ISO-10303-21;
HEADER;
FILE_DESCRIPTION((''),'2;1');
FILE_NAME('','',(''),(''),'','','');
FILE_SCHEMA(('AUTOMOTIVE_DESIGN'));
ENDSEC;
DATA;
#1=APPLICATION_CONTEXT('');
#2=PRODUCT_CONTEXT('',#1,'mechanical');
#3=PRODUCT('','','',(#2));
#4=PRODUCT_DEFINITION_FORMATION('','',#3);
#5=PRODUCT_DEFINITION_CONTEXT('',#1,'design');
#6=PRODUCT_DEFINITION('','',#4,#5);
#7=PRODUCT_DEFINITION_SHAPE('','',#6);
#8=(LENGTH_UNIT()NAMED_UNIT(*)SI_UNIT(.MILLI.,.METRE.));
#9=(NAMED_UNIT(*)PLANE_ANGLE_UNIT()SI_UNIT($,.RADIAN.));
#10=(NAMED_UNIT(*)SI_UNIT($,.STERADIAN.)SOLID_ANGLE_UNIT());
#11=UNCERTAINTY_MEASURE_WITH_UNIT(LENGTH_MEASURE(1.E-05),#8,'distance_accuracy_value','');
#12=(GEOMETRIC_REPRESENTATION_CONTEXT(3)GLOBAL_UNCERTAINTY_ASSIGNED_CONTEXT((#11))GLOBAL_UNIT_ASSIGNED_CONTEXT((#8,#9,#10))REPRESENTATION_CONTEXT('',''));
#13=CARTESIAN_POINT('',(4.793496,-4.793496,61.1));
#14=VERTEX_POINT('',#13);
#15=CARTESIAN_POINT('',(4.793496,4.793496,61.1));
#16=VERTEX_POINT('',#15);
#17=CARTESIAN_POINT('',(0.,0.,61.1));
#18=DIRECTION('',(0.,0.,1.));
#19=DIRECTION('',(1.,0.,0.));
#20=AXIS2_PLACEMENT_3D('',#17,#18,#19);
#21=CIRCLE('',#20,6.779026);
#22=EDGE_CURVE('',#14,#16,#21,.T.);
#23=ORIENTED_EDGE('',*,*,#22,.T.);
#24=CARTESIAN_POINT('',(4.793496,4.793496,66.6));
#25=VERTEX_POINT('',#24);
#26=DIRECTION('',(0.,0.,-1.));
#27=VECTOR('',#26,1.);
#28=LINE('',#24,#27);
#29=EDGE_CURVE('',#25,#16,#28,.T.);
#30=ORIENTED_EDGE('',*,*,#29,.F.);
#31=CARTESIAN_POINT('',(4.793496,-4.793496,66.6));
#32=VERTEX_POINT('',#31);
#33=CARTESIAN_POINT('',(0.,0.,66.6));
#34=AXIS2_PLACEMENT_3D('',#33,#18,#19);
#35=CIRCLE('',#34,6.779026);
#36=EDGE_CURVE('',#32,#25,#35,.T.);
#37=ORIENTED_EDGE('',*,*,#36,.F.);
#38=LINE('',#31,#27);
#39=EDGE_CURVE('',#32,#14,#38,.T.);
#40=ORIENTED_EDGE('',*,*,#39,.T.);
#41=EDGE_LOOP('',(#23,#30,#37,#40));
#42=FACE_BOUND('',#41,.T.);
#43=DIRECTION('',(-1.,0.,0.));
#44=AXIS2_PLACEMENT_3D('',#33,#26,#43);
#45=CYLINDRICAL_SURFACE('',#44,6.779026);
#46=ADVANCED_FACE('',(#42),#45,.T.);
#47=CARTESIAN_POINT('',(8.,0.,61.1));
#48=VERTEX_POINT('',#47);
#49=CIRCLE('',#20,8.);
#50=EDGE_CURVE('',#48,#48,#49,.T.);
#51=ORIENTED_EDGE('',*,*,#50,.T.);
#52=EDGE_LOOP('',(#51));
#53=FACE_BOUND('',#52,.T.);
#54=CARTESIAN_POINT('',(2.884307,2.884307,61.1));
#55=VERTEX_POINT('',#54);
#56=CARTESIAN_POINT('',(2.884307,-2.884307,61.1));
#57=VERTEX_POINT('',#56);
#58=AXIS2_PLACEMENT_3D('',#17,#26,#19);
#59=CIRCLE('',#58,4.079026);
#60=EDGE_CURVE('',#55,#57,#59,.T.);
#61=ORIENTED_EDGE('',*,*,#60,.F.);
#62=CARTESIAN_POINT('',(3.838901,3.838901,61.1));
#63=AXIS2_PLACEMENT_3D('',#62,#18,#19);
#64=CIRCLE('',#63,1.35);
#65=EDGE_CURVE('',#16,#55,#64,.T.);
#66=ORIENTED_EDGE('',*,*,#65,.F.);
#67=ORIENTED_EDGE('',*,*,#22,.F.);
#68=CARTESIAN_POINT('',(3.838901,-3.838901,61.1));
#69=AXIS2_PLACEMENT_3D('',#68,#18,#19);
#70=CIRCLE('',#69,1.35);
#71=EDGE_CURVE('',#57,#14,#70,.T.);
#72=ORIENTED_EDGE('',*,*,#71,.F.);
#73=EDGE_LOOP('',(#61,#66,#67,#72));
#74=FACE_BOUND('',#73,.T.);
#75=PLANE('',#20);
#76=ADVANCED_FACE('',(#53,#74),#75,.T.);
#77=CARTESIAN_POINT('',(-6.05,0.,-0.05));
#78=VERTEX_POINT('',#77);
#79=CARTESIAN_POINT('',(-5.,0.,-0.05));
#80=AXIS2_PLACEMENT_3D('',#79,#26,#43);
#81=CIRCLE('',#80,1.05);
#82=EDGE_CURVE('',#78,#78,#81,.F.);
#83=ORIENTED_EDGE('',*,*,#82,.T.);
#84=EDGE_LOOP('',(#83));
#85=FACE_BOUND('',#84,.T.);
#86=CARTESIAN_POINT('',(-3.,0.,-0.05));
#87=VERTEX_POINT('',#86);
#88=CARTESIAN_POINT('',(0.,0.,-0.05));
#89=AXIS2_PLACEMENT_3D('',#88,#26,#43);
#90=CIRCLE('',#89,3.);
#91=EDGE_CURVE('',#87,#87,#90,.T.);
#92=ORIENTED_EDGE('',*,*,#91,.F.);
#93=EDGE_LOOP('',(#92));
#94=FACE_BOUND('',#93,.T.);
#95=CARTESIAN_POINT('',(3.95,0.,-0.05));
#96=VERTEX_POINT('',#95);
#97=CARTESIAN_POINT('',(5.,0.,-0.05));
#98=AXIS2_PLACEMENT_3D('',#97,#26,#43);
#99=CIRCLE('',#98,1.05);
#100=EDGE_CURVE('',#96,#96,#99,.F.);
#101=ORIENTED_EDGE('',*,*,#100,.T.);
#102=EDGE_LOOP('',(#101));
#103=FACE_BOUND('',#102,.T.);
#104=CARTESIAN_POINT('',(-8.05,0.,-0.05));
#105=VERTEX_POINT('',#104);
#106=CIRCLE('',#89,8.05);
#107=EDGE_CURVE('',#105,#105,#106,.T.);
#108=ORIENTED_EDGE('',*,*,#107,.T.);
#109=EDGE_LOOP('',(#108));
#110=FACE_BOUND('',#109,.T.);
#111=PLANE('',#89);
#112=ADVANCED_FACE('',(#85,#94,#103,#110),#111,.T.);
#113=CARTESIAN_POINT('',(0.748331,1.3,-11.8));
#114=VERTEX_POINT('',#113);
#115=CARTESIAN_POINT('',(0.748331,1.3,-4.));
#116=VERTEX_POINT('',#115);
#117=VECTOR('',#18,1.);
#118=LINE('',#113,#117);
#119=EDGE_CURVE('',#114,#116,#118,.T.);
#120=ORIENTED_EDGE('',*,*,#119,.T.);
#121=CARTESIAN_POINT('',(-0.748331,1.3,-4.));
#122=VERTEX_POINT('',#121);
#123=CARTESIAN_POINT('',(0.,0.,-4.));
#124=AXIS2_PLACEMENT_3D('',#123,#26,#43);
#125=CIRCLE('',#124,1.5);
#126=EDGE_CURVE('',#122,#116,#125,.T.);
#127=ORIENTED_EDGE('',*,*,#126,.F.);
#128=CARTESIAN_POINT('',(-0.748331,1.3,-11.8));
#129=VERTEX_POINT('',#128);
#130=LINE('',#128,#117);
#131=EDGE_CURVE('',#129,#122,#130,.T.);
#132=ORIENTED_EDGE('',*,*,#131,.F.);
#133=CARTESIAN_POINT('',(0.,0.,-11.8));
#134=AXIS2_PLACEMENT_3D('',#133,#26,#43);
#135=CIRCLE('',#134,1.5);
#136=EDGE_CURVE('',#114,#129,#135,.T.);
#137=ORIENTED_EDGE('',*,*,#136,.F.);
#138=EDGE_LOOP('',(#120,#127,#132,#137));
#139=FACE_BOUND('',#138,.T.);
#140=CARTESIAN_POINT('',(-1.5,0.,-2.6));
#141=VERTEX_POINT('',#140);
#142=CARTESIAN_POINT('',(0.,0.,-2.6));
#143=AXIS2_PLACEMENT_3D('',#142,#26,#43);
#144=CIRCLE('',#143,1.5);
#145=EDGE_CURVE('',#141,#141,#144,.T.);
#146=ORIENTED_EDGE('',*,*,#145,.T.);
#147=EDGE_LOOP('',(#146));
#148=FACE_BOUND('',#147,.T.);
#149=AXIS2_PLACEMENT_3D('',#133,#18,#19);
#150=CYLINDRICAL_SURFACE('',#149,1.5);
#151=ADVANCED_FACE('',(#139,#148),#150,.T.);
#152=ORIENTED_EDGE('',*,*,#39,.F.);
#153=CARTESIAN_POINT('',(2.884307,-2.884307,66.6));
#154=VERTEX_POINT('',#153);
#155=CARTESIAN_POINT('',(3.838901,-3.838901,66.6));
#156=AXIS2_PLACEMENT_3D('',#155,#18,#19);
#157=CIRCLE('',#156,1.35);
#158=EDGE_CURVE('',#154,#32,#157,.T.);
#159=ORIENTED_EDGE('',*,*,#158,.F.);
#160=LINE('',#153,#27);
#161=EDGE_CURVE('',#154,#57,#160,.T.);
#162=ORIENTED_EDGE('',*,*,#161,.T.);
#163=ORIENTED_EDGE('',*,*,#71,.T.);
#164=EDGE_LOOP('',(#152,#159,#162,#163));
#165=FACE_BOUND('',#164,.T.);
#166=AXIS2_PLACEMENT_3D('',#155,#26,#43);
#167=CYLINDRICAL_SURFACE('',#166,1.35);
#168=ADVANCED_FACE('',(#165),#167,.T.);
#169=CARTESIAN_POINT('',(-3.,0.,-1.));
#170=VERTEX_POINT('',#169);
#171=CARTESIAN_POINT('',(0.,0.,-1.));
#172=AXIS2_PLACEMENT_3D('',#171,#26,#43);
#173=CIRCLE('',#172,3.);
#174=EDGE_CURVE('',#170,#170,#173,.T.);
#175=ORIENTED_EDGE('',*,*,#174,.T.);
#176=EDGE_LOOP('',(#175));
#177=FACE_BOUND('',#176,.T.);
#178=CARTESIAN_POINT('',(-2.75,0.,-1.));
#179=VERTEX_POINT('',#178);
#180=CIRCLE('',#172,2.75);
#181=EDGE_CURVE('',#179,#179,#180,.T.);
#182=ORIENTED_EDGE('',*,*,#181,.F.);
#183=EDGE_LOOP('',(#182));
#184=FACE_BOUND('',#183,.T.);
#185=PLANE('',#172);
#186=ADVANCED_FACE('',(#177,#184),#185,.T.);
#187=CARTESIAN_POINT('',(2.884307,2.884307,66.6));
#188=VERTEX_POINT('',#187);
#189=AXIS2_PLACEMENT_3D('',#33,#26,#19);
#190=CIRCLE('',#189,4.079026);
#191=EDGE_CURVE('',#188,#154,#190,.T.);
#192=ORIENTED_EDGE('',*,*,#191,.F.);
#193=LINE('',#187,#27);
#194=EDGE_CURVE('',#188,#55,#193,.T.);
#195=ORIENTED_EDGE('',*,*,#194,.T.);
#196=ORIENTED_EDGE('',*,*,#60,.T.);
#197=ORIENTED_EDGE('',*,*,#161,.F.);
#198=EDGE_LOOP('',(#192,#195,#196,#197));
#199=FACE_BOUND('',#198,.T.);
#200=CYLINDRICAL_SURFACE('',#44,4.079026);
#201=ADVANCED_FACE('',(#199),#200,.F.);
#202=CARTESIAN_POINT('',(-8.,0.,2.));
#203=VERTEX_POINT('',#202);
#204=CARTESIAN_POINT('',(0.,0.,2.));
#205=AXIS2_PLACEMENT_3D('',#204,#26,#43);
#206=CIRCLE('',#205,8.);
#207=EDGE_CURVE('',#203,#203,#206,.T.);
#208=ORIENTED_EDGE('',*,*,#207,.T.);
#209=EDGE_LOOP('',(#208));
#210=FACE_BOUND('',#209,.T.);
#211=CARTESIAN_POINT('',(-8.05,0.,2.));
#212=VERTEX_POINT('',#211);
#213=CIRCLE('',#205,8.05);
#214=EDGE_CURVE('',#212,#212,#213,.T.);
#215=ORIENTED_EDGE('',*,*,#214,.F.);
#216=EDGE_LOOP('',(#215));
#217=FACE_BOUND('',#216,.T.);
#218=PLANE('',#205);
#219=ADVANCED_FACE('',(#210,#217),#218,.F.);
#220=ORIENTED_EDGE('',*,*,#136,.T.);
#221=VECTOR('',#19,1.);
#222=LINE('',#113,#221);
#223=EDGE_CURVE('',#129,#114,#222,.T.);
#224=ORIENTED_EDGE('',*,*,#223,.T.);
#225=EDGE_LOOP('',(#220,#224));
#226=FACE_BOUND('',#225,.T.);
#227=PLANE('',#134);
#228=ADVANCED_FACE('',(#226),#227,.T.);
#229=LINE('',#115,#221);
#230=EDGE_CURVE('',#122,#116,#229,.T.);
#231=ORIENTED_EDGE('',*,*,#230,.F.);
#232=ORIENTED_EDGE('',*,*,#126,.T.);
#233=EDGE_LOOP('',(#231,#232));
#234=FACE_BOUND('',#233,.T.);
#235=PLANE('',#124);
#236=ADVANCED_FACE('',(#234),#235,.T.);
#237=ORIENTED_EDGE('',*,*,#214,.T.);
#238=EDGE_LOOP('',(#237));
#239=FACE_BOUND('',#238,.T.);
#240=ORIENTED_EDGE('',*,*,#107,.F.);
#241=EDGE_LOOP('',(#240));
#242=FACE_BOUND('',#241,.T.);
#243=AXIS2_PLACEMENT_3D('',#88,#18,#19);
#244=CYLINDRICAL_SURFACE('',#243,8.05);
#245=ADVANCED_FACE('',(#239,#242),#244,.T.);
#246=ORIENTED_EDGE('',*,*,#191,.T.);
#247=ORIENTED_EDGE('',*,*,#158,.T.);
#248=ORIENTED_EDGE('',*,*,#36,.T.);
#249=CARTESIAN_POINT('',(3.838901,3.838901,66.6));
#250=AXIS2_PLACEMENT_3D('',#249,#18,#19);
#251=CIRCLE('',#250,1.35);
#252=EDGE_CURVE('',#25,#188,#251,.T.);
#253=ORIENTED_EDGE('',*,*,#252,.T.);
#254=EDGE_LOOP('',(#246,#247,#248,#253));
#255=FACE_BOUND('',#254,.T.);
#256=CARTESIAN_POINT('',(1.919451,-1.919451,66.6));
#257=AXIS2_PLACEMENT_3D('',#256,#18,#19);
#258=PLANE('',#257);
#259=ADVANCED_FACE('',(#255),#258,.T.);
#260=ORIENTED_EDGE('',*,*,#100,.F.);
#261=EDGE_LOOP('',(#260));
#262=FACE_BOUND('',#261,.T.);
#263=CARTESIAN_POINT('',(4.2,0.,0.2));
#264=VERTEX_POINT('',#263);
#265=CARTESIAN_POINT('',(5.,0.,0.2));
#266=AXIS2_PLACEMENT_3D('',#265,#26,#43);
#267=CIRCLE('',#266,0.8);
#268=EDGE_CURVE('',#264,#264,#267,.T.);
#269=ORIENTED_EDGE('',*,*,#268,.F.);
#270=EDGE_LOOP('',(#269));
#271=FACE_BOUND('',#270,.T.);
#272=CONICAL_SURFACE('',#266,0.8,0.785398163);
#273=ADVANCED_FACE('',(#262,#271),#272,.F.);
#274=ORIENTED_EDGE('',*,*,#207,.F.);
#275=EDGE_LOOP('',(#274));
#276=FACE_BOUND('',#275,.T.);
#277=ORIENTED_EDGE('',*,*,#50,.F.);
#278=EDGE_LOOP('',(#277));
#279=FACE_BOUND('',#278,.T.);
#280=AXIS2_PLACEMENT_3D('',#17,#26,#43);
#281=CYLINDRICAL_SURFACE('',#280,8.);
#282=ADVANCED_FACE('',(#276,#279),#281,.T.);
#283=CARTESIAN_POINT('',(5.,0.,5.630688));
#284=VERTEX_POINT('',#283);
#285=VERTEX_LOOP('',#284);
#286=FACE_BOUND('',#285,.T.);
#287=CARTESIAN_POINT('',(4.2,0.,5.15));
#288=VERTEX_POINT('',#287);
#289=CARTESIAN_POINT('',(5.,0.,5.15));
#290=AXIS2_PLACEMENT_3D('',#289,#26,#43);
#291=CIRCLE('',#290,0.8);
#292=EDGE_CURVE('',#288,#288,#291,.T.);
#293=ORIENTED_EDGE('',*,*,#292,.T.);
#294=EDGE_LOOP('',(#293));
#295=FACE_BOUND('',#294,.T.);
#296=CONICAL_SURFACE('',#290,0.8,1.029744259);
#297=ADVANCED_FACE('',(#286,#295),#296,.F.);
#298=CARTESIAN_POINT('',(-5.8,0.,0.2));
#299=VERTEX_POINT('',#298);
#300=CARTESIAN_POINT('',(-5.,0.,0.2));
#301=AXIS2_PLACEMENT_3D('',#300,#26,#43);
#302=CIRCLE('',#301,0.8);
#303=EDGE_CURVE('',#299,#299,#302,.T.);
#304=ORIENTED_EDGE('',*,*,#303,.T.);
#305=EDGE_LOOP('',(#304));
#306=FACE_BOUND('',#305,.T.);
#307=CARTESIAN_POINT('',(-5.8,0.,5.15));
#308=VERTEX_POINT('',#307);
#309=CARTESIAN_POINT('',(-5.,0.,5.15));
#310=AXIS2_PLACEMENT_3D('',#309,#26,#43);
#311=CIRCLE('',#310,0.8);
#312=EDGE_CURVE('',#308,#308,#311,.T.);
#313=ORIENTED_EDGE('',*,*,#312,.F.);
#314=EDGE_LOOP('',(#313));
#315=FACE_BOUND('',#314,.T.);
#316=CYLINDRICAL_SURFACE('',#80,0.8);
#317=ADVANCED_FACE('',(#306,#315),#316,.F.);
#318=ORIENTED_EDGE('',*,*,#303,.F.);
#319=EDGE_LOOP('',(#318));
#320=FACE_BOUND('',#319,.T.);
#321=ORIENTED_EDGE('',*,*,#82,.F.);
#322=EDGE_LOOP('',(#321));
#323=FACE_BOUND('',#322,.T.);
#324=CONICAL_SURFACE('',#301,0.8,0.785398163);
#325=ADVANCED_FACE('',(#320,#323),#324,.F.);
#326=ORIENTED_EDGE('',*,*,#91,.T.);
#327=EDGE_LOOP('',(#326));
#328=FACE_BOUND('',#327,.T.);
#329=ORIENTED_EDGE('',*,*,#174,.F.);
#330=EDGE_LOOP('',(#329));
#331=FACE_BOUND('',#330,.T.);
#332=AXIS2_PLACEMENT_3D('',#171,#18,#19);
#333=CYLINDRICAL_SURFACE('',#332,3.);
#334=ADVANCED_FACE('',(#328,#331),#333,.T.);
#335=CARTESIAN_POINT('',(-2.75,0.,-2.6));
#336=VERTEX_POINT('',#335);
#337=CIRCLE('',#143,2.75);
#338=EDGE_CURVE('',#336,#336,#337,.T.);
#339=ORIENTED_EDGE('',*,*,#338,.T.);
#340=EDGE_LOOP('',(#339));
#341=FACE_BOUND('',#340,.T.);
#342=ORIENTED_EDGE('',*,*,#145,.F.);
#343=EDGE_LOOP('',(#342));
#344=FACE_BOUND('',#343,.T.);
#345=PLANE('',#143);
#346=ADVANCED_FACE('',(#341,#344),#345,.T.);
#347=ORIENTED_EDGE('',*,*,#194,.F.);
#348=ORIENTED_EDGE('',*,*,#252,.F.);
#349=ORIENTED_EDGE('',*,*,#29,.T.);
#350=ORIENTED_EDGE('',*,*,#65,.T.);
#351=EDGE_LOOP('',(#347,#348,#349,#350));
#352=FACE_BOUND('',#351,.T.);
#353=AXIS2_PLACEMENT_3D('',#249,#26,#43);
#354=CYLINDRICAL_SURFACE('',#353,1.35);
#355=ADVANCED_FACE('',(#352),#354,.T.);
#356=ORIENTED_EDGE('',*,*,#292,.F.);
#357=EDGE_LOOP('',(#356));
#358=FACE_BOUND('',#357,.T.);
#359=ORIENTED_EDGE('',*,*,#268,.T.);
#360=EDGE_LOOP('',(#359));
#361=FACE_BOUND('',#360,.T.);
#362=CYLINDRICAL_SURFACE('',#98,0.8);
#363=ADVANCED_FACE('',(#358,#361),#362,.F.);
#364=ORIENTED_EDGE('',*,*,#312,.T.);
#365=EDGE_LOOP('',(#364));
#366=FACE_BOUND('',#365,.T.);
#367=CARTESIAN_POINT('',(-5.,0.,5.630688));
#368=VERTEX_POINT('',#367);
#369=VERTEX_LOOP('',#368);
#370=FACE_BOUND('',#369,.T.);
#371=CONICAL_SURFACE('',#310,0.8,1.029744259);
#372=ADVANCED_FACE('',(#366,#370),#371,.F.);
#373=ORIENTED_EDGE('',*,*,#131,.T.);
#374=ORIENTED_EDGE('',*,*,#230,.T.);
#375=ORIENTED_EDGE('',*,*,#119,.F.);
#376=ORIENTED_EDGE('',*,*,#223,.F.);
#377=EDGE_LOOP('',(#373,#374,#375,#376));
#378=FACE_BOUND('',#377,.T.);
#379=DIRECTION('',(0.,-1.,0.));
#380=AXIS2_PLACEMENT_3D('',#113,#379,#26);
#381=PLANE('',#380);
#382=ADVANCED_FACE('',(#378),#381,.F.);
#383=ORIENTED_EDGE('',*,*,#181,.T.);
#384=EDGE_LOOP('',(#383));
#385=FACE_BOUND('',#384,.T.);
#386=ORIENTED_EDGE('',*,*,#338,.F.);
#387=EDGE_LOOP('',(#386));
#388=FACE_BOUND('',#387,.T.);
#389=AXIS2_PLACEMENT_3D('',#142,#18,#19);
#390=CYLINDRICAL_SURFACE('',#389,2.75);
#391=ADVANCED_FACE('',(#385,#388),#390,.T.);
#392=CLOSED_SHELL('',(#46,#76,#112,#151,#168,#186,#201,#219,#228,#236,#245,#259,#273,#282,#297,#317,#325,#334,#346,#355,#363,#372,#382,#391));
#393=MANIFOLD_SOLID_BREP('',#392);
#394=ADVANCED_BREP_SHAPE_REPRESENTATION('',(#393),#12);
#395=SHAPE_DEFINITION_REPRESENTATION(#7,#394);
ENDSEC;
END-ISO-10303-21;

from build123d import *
from build123d.topology import SkipClean

# Parameters (mm, degrees)
SKETCH_1_R             = 8
EXTRUDE_1_DEPTH        = 61.1
EXTRUDE_2_DEPTH        = 11.8
SKETCH_3_R             = 3
EXTRUDE_3_DEPTH        = 1
SKETCH_4_R             = 2.75
EXTRUDE_4_DEPTH        = 1.6
EXTRUDE_5_DEPTH        = 0.05
EXTRUDE_5_DEPTH_BACK   = 2
SKETCH_5_R             = 8.05
HOLE_WIZARD_M2_1_D     = 1.6
HOLE_WIZARD_M2_1_DEPTH = 5.2
HOLE_WIZARD_M2_1_TIP   = 0.480688495
CHAMFER_1_SIZE         = 0.25
SKETCH1_R              = 1.5
EXTRUDE1_DEPTH         = 1.4
EXTRUDE2_DEPTH         = 5.5


with BuildPart() as part:
    # 草图1 → 拉伸1 (new body)
    with BuildSketch(Plane.XY):
        Circle(SKETCH_1_R)
    extrude(amount=EXTRUDE_1_DEPTH)

    # 草图2 → 拉伸2 (add)
    with BuildSketch(Plane(origin=(0, 0, 0), x_dir=(-1, 0, 0), z_dir=(0, 0, -1))):
        with BuildLine():
            Line((-0.748331477, 1.3), (0.748331477, 1.3))
            ThreePointArc((0.748331477, 1.3), (0, -1.5), (-0.748331477, 1.3))
        make_face()
    extrude(amount=EXTRUDE_2_DEPTH)

    # 草图3 → 拉伸3 (add)
    with BuildSketch(Plane(origin=(0, 0, 0), x_dir=(-1, 0, 0), z_dir=(0, 0, -1))):
        with Locations(Location((0, 0, 0), (0, 0, 180))):
            Circle(SKETCH_3_R)
    extrude(amount=EXTRUDE_3_DEPTH)

    # 草图4 → 拉伸4 (add)
    with BuildSketch(Plane(origin=(0, 0, -1), x_dir=(-1, 0, 0), z_dir=(0, 0, -1))):
        Circle(SKETCH_4_R)
    extrude(amount=EXTRUDE_4_DEPTH)

    # 草图5 → 拉伸5 (add, two sides: drawn at the far end of the back side and taken through both)
    with BuildSketch(Plane(origin=(0, 0, 0), x_dir=(-1, 0, 0), z_dir=(0, 0, -1)).offset(-EXTRUDE_5_DEPTH_BACK)):
        Circle(SKETCH_5_R)
    extrude(amount=EXTRUDE_5_DEPTH + EXTRUDE_5_DEPTH_BACK)

    # M2 螺纹孔1
    with Locations(Plane(origin=(5, 0, -0.05), x_dir=(-1, 0, 0), z_dir=(0, 0, -1))):
        with Locations((0, 0), (10, 0)):
            Hole(HOLE_WIZARD_M2_1_D / 2, depth=HOLE_WIZARD_M2_1_DEPTH)
            with Locations((0, 0, -(HOLE_WIZARD_M2_1_DEPTH + HOLE_WIZARD_M2_1_TIP / 2))):  # 118° drill point
                Cone(0, HOLE_WIZARD_M2_1_D / 2, HOLE_WIZARD_M2_1_TIP, mode=Mode.SUBTRACT)

    # 倒角1
    chamfer_1_edges = [part.edges().sort_by_distance(p)[0] for p in [
        (-5.8, 0, -0.05),
        (4.2, 0, -0.05),
    ]]
    chamfer(chamfer_1_edges, length=CHAMFER_1_SIZE)

    # Sketch1 → Extrude1 (add)
    with SkipClean():  # the faces are left unmerged after this step: merging them gives an invalid solid
        with BuildSketch(Plane(origin=(0, 0, -2.6), x_dir=(-1, 0, 0), z_dir=(0, 0, -1))):
            with Locations(Location((0, 0, 0), (0, 0, 119.926434867))):
                Circle(SKETCH1_R)
        extrude(amount=EXTRUDE1_DEPTH)

    # Sketch2 → Extrude2 (add)
    with SkipClean():  # the faces are left unmerged after this step: merging them gives an invalid solid
        with BuildSketch(Plane.XY.offset(61.1)):
            with BuildLine():
                ThreePointArc((4.793495579, -4.793495579), (6.779026459, 0), (4.793495579, 4.793495579))
                ThreePointArc((4.793495579, 4.793495579), (2.88430727, 4.793495579), (2.88430727, 2.88430727))
                ThreePointArc((2.88430727, 2.88430727), (4.079026459, 0), (2.88430727, -2.88430727))
                ThreePointArc((2.88430727, -2.88430727), (2.88430727, -4.793495579), (4.793495579, -4.793495579))
            make_face()
        extrude(amount=EXTRUDE2_DEPTH)


solid = part.part
